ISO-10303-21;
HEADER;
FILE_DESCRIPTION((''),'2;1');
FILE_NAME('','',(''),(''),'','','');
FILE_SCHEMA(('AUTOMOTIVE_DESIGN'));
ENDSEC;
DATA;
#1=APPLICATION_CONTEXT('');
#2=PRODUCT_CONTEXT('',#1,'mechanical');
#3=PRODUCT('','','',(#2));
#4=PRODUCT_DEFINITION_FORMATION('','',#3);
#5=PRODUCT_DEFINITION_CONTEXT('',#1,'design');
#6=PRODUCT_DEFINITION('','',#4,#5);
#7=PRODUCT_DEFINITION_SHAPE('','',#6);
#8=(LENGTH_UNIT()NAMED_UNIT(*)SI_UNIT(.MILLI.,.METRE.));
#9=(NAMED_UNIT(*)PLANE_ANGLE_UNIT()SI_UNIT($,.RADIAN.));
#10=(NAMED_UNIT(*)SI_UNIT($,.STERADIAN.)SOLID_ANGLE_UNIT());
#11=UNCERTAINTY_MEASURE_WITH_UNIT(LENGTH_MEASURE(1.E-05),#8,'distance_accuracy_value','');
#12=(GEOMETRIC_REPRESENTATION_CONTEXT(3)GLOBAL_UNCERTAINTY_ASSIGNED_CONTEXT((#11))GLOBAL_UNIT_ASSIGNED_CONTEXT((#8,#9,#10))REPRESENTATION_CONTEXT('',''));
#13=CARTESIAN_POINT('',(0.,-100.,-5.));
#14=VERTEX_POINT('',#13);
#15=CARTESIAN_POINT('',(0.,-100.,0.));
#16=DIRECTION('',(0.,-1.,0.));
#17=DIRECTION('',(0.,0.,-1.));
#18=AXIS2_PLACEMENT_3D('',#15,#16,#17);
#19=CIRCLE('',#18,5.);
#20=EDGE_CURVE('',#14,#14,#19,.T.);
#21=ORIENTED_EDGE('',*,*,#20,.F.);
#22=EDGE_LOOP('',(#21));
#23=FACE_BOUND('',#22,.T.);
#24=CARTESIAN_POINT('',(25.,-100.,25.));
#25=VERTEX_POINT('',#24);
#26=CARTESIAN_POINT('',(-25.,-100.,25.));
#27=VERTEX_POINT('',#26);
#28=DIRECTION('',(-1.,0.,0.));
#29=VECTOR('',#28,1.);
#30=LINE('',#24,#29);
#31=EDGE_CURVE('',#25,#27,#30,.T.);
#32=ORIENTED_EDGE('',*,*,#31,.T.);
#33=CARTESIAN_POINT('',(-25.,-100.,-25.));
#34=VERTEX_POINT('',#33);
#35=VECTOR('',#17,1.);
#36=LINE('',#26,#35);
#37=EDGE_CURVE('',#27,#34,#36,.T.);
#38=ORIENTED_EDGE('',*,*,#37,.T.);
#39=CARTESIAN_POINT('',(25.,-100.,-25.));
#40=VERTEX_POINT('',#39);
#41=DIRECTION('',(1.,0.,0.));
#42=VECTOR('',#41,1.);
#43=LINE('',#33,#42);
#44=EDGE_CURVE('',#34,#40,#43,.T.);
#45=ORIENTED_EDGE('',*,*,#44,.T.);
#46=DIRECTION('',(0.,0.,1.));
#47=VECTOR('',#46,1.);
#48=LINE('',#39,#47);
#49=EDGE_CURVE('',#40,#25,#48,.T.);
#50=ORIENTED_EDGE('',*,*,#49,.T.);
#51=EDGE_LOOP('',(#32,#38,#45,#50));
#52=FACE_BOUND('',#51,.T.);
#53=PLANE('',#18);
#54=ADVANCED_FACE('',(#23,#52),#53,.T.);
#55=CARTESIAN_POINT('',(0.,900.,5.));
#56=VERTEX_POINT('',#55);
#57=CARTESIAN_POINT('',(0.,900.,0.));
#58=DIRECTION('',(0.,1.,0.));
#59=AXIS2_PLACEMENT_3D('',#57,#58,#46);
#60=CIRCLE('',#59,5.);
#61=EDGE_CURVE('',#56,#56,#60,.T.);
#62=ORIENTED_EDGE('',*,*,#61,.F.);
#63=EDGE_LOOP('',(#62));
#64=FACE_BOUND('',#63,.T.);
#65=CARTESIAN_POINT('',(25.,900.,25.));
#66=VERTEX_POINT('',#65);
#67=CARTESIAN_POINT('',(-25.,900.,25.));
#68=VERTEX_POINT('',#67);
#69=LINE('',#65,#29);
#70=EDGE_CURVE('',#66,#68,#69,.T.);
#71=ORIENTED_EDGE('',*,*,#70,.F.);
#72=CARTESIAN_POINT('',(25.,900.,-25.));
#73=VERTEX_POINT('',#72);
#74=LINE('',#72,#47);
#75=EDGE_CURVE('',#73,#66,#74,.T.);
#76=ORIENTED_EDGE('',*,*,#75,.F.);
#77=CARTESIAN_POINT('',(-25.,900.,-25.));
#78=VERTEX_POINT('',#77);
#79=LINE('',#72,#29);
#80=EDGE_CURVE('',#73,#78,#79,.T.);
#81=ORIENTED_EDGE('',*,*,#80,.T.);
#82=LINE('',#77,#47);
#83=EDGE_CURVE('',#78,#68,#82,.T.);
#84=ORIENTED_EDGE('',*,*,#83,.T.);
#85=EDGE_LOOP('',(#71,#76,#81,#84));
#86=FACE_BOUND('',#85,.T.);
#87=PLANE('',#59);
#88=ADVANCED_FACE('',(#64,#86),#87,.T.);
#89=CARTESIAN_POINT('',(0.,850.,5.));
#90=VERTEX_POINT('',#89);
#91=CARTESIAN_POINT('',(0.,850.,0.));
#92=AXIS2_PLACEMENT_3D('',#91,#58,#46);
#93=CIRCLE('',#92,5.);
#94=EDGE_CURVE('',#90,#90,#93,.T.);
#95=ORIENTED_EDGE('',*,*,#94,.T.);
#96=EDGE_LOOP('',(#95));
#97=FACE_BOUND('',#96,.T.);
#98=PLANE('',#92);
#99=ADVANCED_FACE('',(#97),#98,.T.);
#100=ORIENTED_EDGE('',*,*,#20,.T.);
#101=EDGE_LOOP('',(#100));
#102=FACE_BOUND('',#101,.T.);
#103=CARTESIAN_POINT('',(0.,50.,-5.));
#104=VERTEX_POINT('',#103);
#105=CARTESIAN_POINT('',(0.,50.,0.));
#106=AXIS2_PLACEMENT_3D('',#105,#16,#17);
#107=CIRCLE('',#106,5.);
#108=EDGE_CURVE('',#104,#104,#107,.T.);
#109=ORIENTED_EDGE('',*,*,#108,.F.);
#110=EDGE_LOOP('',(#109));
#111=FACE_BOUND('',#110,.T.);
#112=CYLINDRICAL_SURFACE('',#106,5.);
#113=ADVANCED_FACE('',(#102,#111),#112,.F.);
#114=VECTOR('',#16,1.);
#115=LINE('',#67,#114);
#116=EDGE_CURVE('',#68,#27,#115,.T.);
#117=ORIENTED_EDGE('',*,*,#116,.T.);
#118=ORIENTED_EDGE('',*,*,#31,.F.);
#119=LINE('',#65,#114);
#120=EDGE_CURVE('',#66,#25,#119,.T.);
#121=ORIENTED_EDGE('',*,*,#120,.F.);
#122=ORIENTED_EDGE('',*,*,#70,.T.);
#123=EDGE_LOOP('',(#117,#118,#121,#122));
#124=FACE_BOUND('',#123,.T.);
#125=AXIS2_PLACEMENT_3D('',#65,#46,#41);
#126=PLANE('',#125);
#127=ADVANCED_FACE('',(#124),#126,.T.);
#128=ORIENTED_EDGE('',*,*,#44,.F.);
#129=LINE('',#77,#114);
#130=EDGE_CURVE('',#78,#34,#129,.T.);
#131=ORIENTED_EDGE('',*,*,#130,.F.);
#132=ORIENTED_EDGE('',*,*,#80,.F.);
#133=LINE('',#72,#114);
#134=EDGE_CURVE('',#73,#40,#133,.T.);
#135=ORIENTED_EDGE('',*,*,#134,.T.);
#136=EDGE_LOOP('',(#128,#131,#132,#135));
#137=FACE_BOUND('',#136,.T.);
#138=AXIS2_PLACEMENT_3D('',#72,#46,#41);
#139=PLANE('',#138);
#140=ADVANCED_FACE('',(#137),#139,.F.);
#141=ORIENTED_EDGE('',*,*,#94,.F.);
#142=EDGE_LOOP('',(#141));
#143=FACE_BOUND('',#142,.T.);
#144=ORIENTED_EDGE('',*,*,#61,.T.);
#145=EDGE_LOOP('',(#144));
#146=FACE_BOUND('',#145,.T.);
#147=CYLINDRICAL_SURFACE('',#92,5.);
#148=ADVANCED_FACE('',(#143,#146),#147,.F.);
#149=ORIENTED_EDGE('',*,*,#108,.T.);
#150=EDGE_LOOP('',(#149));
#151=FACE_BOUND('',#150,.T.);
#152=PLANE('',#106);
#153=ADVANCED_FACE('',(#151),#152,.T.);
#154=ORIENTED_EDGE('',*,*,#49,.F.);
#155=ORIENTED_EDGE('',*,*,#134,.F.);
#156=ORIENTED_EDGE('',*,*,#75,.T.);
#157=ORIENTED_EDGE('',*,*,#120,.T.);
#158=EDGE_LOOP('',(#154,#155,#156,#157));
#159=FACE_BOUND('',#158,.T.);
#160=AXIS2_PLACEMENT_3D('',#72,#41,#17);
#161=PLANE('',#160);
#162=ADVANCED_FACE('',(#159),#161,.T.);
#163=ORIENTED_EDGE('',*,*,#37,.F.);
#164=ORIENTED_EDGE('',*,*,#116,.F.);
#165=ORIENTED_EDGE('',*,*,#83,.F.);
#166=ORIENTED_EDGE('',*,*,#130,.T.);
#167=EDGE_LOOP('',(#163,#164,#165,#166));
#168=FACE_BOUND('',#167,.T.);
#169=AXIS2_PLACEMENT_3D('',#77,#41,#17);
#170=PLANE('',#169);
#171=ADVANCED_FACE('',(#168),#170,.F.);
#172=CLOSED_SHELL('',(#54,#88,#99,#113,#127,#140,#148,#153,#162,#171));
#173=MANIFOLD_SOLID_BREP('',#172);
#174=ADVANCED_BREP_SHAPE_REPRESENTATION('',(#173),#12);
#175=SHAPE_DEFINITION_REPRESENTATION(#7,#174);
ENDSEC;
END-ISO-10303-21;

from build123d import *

# Parameters (mm, degrees)
SKETCH_1_W          = 50
SKETCH_1_H          = 50
EXTRUDE_2_DEPTH     = 900
SKETCH_4_R          = 5
CUT_EXTRUDE_2_DEPTH = 50
CUT_EXTRUDE_START   = -50
SKETCH_5_R          = 5
CUT_EXTRUDE_3_DEPTH = 50
SKETCH_6_W          = 50
SKETCH_6_H          = 50
EXTRUDE_3_DEPTH     = 100
CUT_EXTRUDE_START_2 = -100
SKETCH_7_R          = 5
CUT_EXTRUDE_4_DEPTH = 100


with BuildPart() as part:
    # Эскиз1 → Бобышка-Вытянуть2 (new body)
    with BuildSketch(Plane(origin=(0, 0, 0), x_dir=(1, 0, 0), z_dir=(0, 1, 0))):
        Rectangle(SKETCH_1_W, SKETCH_1_H)
    extrude(amount=EXTRUDE_2_DEPTH)

    # Эскиз4 → Вырез-Вытянуть2 (cut)
    with BuildSketch(Plane(origin=(0, 900, 0), x_dir=(1, 0, 0), z_dir=(0, 1, 0))):
        with Locations(Location((0, 0, 0), (0, 0, 270))):
            Circle(SKETCH_4_R)
    extrude(amount=-CUT_EXTRUDE_2_DEPTH, mode=Mode.SUBTRACT)

    # Эскиз5 → Вырез-Вытянуть3 (cut)
    with BuildSketch(Plane.XZ.offset(CUT_EXTRUDE_START)):
        with Locations(Location((0, 0, 0), (0, 0, 90))):
            Circle(SKETCH_5_R)
    extrude(amount=CUT_EXTRUDE_3_DEPTH, mode=Mode.SUBTRACT)

    # Эскиз6 → Бобышка-Вытянуть3 (add)
    with BuildSketch(Plane.XZ):
        Rectangle(SKETCH_6_W, SKETCH_6_H)
    extrude(amount=EXTRUDE_3_DEPTH)

    # Эскиз7 → Вырез-Вытянуть4 (cut)
    with BuildSketch(Plane.XZ.offset(100).offset(CUT_EXTRUDE_START_2)):
        with Locations(Location((0, 0, 0), (0, 0, 270))):
            Circle(SKETCH_7_R)
    extrude(amount=CUT_EXTRUDE_4_DEPTH, mode=Mode.SUBTRACT)


solid = part.part
